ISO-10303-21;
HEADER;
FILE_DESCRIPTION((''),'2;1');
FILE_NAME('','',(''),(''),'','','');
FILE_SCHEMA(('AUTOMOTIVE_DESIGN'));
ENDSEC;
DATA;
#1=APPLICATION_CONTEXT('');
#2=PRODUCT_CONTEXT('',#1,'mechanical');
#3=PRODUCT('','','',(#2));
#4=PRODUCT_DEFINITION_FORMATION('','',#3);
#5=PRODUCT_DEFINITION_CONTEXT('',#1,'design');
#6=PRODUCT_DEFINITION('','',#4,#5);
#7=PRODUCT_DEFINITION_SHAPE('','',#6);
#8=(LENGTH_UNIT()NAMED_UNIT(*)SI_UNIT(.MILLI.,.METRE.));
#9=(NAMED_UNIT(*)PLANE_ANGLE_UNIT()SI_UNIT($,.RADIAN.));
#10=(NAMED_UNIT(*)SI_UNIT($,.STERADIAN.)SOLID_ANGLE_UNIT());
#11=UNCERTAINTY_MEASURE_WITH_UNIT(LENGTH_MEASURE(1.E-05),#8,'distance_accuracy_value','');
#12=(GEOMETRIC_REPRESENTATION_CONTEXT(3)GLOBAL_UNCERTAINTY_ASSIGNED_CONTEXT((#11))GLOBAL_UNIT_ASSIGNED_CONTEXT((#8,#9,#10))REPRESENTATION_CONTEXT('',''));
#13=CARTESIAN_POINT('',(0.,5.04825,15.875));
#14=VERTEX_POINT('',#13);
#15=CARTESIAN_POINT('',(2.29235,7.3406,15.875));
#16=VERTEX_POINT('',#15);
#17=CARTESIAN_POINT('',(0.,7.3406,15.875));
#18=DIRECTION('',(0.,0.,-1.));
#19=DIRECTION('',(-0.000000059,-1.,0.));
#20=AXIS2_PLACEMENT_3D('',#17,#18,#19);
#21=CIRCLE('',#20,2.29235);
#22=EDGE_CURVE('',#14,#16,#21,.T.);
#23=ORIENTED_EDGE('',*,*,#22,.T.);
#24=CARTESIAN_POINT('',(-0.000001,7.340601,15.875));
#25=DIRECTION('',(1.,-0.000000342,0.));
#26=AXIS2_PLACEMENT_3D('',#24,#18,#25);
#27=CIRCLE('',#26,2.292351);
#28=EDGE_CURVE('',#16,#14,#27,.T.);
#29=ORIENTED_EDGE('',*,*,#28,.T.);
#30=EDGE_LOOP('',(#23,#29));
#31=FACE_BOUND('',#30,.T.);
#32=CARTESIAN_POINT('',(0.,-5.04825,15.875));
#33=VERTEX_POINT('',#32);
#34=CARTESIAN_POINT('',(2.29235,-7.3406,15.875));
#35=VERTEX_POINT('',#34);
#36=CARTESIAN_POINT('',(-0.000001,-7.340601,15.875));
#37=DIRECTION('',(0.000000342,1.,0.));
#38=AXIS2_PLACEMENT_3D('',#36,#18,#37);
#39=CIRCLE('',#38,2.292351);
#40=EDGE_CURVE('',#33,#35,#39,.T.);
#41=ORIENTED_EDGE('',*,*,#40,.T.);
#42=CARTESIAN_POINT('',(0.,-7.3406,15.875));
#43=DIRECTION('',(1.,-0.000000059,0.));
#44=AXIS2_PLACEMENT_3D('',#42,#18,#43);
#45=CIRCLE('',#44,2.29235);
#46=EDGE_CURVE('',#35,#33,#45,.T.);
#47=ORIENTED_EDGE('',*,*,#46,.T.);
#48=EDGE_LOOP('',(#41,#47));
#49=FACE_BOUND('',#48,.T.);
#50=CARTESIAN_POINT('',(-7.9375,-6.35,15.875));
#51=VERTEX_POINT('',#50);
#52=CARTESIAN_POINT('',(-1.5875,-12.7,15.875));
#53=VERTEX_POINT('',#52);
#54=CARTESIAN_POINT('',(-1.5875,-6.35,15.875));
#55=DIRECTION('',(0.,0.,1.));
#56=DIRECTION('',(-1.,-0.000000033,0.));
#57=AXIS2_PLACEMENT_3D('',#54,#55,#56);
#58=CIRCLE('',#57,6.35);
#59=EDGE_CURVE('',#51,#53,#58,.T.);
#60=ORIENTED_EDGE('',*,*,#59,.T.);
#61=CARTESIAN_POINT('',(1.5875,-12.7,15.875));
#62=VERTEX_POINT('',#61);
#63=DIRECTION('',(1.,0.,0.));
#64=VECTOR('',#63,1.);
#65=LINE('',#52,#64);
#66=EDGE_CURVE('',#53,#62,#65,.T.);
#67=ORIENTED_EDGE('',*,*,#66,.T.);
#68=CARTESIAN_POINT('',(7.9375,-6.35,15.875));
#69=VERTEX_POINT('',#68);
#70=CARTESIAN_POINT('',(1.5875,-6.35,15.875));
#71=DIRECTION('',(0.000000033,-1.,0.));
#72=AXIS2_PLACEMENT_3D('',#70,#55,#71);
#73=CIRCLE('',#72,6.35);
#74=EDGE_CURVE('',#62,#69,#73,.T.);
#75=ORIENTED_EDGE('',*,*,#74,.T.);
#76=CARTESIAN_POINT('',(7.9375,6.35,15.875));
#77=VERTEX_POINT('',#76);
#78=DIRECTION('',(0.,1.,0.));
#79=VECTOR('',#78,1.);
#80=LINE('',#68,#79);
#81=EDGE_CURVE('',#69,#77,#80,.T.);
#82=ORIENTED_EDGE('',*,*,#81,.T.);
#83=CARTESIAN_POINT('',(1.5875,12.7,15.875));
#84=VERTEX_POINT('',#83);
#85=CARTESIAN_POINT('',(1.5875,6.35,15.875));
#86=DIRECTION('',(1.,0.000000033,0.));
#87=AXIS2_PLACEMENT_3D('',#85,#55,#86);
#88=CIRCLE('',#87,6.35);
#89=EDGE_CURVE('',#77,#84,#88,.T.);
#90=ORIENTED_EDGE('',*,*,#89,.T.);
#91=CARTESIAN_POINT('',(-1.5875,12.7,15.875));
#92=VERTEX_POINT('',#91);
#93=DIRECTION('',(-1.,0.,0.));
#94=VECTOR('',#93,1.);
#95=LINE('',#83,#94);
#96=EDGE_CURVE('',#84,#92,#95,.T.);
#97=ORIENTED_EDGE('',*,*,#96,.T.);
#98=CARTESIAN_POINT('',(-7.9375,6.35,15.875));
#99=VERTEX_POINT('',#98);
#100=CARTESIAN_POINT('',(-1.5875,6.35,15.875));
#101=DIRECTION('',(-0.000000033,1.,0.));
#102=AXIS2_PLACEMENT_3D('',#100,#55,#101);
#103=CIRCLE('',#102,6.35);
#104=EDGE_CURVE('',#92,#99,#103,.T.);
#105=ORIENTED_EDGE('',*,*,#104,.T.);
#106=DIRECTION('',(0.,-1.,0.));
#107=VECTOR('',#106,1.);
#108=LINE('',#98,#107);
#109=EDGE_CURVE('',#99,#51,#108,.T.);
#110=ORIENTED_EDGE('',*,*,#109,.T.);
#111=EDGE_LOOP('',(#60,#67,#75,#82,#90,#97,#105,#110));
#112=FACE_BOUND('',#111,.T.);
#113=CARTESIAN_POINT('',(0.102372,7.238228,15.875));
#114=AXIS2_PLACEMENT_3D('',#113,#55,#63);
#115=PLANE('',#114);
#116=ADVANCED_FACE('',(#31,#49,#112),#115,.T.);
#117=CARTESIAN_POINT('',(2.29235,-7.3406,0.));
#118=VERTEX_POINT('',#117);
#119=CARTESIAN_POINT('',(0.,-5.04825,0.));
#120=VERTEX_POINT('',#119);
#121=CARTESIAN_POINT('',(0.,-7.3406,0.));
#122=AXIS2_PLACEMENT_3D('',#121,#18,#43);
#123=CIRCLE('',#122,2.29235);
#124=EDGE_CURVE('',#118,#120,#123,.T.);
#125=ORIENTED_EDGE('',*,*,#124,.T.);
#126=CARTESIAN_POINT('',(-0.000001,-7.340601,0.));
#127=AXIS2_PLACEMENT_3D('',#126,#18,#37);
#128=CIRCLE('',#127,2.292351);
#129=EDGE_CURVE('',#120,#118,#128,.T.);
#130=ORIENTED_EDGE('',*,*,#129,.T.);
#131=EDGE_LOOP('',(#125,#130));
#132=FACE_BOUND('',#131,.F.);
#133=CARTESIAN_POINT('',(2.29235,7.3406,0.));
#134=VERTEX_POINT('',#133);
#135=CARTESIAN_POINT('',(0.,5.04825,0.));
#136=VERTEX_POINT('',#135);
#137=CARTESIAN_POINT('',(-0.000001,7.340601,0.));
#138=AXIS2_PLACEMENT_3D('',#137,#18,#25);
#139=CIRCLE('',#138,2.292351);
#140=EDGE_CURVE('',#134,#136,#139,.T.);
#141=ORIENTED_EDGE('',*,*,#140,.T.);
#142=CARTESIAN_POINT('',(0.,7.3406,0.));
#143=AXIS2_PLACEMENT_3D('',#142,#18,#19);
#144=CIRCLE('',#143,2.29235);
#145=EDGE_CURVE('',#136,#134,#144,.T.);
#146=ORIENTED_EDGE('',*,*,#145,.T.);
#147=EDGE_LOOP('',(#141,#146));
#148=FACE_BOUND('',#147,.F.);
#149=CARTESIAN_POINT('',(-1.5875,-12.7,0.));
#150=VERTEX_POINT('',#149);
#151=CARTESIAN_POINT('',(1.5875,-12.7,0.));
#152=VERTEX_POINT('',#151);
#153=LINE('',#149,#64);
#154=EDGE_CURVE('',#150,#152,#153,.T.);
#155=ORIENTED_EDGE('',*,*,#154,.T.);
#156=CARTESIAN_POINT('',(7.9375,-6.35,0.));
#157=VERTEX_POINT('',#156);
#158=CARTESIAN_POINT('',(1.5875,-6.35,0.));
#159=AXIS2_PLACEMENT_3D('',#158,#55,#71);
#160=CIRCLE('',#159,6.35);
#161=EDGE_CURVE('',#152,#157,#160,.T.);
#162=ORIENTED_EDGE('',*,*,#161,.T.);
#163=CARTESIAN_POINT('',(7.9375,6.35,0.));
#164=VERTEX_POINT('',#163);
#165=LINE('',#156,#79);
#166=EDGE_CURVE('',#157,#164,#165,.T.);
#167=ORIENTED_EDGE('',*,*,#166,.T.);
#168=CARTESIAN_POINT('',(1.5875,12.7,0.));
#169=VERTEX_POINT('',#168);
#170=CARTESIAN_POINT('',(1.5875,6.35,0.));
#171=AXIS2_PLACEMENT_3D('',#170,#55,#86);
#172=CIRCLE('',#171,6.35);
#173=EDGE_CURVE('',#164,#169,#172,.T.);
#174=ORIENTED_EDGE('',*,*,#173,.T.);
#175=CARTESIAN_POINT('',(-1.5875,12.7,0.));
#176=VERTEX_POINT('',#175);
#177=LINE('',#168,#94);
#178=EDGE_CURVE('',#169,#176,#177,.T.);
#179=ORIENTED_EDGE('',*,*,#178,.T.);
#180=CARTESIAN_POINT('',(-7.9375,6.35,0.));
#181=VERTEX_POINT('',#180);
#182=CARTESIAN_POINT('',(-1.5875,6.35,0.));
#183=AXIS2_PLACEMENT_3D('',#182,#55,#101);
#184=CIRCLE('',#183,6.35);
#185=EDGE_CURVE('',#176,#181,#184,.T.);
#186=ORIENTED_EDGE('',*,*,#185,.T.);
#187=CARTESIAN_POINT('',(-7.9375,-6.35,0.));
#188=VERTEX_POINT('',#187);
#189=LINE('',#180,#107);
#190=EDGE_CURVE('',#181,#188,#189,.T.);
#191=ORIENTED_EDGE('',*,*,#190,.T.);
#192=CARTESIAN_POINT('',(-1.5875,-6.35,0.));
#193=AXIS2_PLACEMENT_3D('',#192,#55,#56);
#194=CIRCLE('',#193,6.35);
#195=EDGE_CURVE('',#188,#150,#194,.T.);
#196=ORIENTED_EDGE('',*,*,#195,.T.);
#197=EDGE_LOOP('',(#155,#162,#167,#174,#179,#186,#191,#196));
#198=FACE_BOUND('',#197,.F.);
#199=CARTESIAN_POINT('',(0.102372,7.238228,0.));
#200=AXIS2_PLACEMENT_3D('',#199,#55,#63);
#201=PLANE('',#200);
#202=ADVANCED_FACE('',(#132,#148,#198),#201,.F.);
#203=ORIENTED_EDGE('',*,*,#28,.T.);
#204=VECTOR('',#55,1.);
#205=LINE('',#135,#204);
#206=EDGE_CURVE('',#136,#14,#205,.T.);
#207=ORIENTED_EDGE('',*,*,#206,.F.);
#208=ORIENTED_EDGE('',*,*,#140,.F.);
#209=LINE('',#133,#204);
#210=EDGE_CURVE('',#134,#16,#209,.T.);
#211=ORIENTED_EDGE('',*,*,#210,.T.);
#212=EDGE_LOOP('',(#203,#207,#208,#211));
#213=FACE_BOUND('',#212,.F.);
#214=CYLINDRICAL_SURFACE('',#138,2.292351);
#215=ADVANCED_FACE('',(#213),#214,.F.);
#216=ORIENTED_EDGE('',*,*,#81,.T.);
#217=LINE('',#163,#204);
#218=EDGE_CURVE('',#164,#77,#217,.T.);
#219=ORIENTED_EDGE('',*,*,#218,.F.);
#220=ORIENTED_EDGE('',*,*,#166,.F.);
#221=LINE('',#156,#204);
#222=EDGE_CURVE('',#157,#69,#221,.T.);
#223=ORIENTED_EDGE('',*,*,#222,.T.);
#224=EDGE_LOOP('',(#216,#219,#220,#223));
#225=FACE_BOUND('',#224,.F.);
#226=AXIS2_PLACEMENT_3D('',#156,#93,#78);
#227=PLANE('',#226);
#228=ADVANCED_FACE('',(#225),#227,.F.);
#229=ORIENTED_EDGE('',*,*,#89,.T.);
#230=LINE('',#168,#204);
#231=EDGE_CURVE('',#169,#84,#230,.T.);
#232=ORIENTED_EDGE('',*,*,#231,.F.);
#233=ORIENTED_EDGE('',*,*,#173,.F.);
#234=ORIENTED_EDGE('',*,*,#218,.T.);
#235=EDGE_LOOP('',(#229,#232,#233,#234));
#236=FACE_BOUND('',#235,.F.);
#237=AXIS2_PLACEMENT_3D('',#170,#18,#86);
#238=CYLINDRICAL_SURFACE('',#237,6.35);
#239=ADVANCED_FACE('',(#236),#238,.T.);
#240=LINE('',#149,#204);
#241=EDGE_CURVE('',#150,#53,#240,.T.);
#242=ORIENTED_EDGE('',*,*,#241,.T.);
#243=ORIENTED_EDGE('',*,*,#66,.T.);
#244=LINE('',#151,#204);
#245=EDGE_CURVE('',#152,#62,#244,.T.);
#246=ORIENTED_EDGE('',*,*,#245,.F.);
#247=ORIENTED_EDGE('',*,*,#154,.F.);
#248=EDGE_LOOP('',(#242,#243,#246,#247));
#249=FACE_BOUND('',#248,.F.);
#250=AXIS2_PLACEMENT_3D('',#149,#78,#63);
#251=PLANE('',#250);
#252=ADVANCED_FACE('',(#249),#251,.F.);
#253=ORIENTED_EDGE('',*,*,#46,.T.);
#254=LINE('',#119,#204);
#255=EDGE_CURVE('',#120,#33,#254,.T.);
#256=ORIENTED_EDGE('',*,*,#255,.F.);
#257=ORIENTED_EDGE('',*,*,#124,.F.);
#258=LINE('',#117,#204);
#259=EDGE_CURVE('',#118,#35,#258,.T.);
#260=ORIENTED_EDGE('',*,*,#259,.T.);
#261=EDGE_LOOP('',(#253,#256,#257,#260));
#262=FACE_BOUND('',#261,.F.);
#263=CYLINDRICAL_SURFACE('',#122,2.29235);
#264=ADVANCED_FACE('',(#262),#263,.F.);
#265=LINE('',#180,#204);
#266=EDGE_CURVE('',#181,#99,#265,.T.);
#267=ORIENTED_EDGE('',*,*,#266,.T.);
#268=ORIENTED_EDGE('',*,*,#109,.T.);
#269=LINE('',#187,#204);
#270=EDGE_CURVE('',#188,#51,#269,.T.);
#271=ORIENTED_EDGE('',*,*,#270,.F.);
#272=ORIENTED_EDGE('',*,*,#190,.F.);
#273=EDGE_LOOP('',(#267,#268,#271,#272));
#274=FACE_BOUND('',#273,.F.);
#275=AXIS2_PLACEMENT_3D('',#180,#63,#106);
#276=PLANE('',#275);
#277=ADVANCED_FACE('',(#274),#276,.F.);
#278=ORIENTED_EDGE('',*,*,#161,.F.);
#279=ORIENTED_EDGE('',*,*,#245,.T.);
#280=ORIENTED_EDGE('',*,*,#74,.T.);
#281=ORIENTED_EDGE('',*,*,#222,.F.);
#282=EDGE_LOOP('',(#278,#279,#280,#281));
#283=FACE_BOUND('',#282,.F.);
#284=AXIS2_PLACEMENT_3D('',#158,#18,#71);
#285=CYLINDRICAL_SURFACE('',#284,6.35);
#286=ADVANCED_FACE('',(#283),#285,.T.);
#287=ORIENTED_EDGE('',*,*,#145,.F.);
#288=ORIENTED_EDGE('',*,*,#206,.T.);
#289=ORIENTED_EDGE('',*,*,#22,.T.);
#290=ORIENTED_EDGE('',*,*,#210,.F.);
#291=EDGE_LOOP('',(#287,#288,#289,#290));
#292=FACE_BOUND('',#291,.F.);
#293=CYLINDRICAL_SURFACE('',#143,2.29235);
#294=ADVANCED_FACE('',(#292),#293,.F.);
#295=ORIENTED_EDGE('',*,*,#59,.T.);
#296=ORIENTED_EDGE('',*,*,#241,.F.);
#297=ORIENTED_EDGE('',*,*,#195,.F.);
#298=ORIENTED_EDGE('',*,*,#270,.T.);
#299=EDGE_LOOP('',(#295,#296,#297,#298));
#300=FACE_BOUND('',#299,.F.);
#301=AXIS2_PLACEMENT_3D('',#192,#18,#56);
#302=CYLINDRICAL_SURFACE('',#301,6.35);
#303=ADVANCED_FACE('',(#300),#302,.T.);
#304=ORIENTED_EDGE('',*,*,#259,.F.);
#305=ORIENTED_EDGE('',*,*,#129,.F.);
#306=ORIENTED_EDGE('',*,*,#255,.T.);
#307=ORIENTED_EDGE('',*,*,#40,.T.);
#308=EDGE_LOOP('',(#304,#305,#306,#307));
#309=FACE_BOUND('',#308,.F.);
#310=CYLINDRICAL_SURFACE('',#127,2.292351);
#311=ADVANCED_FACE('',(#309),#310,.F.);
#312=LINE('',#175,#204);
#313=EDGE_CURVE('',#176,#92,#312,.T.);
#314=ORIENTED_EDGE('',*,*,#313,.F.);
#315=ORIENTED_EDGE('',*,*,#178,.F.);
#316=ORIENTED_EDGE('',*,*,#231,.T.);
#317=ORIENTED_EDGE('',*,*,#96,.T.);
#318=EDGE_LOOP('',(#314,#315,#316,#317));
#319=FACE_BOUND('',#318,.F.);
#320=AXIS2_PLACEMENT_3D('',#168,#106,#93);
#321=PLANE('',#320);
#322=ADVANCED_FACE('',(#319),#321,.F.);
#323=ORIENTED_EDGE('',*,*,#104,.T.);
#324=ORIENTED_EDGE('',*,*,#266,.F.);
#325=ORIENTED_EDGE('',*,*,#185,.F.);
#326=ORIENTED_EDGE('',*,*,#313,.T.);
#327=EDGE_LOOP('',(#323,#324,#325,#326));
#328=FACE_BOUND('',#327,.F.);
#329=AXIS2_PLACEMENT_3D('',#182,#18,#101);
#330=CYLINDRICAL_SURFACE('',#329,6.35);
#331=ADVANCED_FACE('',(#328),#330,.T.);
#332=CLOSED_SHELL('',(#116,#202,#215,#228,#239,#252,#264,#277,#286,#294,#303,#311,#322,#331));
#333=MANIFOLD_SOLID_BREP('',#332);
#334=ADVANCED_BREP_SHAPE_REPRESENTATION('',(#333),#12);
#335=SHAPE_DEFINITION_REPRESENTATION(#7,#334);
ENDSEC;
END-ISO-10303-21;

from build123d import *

# Parameters (mm, degrees)
F1_DEPTH = 15.875


with BuildPart() as f1:
    # F0 (on Top) → F1 (new body)
    with BuildSketch(Plane.XY):
        with BuildLine():
            ThreePointArc((0, 5.04825), (1.620936, 5.719664), (2.29235, 7.3406))
            ThreePointArc((2.29235, 7.3406), (-1.620936, 8.961536), (0, 5.04825))
        make_face()
        with BuildLine():
            ThreePointArc((2.29235, -7.3406), (1.620936, -5.719664), (0, -5.04825))
            ThreePointArc((0, -5.04825), (-1.620936, -8.961536), (2.29235, -7.3406))
        make_face()
        with BuildLine():
            Line((1.5875, 12.7), (-1.5875, 12.7))
            ThreePointArc((-1.5875, 12.7), (-6.077628, 10.840128), (-7.9375, 6.35))
            Line((-7.9375, 6.35), (-7.9375, -6.35))
            ThreePointArc((-7.9375, -6.35), (-6.077628, -10.840128), (-1.5875, -12.7))
            Line((-1.5875, -12.7), (1.5875, -12.7))
            ThreePointArc((1.5875, -12.7), (6.077628, -10.840128), (7.9375, -6.35))
            Line((7.9375, -6.35), (7.9375, 6.35))
            ThreePointArc((7.9375, 6.35), (6.077628, 10.840128), (1.5875, 12.7))
        make_face()
        with BuildLine():
            ThreePointArc((2.29235, -7.3406), (-1.620936, -8.961536), (0, -5.04825))
            ThreePointArc((0, -5.04825), (1.620936, -5.719664), (2.29235, -7.3406))
        make_face(mode=Mode.SUBTRACT)
        with BuildLine():
            ThreePointArc((0, 5.04825), (-1.620936, 8.961536), (2.29235, 7.3406))
            ThreePointArc((2.29235, 7.3406), (1.620936, 5.719664), (0, 5.04825))
        make_face(mode=Mode.SUBTRACT)
    extrude(amount=F1_DEPTH)


solid = f1.part
